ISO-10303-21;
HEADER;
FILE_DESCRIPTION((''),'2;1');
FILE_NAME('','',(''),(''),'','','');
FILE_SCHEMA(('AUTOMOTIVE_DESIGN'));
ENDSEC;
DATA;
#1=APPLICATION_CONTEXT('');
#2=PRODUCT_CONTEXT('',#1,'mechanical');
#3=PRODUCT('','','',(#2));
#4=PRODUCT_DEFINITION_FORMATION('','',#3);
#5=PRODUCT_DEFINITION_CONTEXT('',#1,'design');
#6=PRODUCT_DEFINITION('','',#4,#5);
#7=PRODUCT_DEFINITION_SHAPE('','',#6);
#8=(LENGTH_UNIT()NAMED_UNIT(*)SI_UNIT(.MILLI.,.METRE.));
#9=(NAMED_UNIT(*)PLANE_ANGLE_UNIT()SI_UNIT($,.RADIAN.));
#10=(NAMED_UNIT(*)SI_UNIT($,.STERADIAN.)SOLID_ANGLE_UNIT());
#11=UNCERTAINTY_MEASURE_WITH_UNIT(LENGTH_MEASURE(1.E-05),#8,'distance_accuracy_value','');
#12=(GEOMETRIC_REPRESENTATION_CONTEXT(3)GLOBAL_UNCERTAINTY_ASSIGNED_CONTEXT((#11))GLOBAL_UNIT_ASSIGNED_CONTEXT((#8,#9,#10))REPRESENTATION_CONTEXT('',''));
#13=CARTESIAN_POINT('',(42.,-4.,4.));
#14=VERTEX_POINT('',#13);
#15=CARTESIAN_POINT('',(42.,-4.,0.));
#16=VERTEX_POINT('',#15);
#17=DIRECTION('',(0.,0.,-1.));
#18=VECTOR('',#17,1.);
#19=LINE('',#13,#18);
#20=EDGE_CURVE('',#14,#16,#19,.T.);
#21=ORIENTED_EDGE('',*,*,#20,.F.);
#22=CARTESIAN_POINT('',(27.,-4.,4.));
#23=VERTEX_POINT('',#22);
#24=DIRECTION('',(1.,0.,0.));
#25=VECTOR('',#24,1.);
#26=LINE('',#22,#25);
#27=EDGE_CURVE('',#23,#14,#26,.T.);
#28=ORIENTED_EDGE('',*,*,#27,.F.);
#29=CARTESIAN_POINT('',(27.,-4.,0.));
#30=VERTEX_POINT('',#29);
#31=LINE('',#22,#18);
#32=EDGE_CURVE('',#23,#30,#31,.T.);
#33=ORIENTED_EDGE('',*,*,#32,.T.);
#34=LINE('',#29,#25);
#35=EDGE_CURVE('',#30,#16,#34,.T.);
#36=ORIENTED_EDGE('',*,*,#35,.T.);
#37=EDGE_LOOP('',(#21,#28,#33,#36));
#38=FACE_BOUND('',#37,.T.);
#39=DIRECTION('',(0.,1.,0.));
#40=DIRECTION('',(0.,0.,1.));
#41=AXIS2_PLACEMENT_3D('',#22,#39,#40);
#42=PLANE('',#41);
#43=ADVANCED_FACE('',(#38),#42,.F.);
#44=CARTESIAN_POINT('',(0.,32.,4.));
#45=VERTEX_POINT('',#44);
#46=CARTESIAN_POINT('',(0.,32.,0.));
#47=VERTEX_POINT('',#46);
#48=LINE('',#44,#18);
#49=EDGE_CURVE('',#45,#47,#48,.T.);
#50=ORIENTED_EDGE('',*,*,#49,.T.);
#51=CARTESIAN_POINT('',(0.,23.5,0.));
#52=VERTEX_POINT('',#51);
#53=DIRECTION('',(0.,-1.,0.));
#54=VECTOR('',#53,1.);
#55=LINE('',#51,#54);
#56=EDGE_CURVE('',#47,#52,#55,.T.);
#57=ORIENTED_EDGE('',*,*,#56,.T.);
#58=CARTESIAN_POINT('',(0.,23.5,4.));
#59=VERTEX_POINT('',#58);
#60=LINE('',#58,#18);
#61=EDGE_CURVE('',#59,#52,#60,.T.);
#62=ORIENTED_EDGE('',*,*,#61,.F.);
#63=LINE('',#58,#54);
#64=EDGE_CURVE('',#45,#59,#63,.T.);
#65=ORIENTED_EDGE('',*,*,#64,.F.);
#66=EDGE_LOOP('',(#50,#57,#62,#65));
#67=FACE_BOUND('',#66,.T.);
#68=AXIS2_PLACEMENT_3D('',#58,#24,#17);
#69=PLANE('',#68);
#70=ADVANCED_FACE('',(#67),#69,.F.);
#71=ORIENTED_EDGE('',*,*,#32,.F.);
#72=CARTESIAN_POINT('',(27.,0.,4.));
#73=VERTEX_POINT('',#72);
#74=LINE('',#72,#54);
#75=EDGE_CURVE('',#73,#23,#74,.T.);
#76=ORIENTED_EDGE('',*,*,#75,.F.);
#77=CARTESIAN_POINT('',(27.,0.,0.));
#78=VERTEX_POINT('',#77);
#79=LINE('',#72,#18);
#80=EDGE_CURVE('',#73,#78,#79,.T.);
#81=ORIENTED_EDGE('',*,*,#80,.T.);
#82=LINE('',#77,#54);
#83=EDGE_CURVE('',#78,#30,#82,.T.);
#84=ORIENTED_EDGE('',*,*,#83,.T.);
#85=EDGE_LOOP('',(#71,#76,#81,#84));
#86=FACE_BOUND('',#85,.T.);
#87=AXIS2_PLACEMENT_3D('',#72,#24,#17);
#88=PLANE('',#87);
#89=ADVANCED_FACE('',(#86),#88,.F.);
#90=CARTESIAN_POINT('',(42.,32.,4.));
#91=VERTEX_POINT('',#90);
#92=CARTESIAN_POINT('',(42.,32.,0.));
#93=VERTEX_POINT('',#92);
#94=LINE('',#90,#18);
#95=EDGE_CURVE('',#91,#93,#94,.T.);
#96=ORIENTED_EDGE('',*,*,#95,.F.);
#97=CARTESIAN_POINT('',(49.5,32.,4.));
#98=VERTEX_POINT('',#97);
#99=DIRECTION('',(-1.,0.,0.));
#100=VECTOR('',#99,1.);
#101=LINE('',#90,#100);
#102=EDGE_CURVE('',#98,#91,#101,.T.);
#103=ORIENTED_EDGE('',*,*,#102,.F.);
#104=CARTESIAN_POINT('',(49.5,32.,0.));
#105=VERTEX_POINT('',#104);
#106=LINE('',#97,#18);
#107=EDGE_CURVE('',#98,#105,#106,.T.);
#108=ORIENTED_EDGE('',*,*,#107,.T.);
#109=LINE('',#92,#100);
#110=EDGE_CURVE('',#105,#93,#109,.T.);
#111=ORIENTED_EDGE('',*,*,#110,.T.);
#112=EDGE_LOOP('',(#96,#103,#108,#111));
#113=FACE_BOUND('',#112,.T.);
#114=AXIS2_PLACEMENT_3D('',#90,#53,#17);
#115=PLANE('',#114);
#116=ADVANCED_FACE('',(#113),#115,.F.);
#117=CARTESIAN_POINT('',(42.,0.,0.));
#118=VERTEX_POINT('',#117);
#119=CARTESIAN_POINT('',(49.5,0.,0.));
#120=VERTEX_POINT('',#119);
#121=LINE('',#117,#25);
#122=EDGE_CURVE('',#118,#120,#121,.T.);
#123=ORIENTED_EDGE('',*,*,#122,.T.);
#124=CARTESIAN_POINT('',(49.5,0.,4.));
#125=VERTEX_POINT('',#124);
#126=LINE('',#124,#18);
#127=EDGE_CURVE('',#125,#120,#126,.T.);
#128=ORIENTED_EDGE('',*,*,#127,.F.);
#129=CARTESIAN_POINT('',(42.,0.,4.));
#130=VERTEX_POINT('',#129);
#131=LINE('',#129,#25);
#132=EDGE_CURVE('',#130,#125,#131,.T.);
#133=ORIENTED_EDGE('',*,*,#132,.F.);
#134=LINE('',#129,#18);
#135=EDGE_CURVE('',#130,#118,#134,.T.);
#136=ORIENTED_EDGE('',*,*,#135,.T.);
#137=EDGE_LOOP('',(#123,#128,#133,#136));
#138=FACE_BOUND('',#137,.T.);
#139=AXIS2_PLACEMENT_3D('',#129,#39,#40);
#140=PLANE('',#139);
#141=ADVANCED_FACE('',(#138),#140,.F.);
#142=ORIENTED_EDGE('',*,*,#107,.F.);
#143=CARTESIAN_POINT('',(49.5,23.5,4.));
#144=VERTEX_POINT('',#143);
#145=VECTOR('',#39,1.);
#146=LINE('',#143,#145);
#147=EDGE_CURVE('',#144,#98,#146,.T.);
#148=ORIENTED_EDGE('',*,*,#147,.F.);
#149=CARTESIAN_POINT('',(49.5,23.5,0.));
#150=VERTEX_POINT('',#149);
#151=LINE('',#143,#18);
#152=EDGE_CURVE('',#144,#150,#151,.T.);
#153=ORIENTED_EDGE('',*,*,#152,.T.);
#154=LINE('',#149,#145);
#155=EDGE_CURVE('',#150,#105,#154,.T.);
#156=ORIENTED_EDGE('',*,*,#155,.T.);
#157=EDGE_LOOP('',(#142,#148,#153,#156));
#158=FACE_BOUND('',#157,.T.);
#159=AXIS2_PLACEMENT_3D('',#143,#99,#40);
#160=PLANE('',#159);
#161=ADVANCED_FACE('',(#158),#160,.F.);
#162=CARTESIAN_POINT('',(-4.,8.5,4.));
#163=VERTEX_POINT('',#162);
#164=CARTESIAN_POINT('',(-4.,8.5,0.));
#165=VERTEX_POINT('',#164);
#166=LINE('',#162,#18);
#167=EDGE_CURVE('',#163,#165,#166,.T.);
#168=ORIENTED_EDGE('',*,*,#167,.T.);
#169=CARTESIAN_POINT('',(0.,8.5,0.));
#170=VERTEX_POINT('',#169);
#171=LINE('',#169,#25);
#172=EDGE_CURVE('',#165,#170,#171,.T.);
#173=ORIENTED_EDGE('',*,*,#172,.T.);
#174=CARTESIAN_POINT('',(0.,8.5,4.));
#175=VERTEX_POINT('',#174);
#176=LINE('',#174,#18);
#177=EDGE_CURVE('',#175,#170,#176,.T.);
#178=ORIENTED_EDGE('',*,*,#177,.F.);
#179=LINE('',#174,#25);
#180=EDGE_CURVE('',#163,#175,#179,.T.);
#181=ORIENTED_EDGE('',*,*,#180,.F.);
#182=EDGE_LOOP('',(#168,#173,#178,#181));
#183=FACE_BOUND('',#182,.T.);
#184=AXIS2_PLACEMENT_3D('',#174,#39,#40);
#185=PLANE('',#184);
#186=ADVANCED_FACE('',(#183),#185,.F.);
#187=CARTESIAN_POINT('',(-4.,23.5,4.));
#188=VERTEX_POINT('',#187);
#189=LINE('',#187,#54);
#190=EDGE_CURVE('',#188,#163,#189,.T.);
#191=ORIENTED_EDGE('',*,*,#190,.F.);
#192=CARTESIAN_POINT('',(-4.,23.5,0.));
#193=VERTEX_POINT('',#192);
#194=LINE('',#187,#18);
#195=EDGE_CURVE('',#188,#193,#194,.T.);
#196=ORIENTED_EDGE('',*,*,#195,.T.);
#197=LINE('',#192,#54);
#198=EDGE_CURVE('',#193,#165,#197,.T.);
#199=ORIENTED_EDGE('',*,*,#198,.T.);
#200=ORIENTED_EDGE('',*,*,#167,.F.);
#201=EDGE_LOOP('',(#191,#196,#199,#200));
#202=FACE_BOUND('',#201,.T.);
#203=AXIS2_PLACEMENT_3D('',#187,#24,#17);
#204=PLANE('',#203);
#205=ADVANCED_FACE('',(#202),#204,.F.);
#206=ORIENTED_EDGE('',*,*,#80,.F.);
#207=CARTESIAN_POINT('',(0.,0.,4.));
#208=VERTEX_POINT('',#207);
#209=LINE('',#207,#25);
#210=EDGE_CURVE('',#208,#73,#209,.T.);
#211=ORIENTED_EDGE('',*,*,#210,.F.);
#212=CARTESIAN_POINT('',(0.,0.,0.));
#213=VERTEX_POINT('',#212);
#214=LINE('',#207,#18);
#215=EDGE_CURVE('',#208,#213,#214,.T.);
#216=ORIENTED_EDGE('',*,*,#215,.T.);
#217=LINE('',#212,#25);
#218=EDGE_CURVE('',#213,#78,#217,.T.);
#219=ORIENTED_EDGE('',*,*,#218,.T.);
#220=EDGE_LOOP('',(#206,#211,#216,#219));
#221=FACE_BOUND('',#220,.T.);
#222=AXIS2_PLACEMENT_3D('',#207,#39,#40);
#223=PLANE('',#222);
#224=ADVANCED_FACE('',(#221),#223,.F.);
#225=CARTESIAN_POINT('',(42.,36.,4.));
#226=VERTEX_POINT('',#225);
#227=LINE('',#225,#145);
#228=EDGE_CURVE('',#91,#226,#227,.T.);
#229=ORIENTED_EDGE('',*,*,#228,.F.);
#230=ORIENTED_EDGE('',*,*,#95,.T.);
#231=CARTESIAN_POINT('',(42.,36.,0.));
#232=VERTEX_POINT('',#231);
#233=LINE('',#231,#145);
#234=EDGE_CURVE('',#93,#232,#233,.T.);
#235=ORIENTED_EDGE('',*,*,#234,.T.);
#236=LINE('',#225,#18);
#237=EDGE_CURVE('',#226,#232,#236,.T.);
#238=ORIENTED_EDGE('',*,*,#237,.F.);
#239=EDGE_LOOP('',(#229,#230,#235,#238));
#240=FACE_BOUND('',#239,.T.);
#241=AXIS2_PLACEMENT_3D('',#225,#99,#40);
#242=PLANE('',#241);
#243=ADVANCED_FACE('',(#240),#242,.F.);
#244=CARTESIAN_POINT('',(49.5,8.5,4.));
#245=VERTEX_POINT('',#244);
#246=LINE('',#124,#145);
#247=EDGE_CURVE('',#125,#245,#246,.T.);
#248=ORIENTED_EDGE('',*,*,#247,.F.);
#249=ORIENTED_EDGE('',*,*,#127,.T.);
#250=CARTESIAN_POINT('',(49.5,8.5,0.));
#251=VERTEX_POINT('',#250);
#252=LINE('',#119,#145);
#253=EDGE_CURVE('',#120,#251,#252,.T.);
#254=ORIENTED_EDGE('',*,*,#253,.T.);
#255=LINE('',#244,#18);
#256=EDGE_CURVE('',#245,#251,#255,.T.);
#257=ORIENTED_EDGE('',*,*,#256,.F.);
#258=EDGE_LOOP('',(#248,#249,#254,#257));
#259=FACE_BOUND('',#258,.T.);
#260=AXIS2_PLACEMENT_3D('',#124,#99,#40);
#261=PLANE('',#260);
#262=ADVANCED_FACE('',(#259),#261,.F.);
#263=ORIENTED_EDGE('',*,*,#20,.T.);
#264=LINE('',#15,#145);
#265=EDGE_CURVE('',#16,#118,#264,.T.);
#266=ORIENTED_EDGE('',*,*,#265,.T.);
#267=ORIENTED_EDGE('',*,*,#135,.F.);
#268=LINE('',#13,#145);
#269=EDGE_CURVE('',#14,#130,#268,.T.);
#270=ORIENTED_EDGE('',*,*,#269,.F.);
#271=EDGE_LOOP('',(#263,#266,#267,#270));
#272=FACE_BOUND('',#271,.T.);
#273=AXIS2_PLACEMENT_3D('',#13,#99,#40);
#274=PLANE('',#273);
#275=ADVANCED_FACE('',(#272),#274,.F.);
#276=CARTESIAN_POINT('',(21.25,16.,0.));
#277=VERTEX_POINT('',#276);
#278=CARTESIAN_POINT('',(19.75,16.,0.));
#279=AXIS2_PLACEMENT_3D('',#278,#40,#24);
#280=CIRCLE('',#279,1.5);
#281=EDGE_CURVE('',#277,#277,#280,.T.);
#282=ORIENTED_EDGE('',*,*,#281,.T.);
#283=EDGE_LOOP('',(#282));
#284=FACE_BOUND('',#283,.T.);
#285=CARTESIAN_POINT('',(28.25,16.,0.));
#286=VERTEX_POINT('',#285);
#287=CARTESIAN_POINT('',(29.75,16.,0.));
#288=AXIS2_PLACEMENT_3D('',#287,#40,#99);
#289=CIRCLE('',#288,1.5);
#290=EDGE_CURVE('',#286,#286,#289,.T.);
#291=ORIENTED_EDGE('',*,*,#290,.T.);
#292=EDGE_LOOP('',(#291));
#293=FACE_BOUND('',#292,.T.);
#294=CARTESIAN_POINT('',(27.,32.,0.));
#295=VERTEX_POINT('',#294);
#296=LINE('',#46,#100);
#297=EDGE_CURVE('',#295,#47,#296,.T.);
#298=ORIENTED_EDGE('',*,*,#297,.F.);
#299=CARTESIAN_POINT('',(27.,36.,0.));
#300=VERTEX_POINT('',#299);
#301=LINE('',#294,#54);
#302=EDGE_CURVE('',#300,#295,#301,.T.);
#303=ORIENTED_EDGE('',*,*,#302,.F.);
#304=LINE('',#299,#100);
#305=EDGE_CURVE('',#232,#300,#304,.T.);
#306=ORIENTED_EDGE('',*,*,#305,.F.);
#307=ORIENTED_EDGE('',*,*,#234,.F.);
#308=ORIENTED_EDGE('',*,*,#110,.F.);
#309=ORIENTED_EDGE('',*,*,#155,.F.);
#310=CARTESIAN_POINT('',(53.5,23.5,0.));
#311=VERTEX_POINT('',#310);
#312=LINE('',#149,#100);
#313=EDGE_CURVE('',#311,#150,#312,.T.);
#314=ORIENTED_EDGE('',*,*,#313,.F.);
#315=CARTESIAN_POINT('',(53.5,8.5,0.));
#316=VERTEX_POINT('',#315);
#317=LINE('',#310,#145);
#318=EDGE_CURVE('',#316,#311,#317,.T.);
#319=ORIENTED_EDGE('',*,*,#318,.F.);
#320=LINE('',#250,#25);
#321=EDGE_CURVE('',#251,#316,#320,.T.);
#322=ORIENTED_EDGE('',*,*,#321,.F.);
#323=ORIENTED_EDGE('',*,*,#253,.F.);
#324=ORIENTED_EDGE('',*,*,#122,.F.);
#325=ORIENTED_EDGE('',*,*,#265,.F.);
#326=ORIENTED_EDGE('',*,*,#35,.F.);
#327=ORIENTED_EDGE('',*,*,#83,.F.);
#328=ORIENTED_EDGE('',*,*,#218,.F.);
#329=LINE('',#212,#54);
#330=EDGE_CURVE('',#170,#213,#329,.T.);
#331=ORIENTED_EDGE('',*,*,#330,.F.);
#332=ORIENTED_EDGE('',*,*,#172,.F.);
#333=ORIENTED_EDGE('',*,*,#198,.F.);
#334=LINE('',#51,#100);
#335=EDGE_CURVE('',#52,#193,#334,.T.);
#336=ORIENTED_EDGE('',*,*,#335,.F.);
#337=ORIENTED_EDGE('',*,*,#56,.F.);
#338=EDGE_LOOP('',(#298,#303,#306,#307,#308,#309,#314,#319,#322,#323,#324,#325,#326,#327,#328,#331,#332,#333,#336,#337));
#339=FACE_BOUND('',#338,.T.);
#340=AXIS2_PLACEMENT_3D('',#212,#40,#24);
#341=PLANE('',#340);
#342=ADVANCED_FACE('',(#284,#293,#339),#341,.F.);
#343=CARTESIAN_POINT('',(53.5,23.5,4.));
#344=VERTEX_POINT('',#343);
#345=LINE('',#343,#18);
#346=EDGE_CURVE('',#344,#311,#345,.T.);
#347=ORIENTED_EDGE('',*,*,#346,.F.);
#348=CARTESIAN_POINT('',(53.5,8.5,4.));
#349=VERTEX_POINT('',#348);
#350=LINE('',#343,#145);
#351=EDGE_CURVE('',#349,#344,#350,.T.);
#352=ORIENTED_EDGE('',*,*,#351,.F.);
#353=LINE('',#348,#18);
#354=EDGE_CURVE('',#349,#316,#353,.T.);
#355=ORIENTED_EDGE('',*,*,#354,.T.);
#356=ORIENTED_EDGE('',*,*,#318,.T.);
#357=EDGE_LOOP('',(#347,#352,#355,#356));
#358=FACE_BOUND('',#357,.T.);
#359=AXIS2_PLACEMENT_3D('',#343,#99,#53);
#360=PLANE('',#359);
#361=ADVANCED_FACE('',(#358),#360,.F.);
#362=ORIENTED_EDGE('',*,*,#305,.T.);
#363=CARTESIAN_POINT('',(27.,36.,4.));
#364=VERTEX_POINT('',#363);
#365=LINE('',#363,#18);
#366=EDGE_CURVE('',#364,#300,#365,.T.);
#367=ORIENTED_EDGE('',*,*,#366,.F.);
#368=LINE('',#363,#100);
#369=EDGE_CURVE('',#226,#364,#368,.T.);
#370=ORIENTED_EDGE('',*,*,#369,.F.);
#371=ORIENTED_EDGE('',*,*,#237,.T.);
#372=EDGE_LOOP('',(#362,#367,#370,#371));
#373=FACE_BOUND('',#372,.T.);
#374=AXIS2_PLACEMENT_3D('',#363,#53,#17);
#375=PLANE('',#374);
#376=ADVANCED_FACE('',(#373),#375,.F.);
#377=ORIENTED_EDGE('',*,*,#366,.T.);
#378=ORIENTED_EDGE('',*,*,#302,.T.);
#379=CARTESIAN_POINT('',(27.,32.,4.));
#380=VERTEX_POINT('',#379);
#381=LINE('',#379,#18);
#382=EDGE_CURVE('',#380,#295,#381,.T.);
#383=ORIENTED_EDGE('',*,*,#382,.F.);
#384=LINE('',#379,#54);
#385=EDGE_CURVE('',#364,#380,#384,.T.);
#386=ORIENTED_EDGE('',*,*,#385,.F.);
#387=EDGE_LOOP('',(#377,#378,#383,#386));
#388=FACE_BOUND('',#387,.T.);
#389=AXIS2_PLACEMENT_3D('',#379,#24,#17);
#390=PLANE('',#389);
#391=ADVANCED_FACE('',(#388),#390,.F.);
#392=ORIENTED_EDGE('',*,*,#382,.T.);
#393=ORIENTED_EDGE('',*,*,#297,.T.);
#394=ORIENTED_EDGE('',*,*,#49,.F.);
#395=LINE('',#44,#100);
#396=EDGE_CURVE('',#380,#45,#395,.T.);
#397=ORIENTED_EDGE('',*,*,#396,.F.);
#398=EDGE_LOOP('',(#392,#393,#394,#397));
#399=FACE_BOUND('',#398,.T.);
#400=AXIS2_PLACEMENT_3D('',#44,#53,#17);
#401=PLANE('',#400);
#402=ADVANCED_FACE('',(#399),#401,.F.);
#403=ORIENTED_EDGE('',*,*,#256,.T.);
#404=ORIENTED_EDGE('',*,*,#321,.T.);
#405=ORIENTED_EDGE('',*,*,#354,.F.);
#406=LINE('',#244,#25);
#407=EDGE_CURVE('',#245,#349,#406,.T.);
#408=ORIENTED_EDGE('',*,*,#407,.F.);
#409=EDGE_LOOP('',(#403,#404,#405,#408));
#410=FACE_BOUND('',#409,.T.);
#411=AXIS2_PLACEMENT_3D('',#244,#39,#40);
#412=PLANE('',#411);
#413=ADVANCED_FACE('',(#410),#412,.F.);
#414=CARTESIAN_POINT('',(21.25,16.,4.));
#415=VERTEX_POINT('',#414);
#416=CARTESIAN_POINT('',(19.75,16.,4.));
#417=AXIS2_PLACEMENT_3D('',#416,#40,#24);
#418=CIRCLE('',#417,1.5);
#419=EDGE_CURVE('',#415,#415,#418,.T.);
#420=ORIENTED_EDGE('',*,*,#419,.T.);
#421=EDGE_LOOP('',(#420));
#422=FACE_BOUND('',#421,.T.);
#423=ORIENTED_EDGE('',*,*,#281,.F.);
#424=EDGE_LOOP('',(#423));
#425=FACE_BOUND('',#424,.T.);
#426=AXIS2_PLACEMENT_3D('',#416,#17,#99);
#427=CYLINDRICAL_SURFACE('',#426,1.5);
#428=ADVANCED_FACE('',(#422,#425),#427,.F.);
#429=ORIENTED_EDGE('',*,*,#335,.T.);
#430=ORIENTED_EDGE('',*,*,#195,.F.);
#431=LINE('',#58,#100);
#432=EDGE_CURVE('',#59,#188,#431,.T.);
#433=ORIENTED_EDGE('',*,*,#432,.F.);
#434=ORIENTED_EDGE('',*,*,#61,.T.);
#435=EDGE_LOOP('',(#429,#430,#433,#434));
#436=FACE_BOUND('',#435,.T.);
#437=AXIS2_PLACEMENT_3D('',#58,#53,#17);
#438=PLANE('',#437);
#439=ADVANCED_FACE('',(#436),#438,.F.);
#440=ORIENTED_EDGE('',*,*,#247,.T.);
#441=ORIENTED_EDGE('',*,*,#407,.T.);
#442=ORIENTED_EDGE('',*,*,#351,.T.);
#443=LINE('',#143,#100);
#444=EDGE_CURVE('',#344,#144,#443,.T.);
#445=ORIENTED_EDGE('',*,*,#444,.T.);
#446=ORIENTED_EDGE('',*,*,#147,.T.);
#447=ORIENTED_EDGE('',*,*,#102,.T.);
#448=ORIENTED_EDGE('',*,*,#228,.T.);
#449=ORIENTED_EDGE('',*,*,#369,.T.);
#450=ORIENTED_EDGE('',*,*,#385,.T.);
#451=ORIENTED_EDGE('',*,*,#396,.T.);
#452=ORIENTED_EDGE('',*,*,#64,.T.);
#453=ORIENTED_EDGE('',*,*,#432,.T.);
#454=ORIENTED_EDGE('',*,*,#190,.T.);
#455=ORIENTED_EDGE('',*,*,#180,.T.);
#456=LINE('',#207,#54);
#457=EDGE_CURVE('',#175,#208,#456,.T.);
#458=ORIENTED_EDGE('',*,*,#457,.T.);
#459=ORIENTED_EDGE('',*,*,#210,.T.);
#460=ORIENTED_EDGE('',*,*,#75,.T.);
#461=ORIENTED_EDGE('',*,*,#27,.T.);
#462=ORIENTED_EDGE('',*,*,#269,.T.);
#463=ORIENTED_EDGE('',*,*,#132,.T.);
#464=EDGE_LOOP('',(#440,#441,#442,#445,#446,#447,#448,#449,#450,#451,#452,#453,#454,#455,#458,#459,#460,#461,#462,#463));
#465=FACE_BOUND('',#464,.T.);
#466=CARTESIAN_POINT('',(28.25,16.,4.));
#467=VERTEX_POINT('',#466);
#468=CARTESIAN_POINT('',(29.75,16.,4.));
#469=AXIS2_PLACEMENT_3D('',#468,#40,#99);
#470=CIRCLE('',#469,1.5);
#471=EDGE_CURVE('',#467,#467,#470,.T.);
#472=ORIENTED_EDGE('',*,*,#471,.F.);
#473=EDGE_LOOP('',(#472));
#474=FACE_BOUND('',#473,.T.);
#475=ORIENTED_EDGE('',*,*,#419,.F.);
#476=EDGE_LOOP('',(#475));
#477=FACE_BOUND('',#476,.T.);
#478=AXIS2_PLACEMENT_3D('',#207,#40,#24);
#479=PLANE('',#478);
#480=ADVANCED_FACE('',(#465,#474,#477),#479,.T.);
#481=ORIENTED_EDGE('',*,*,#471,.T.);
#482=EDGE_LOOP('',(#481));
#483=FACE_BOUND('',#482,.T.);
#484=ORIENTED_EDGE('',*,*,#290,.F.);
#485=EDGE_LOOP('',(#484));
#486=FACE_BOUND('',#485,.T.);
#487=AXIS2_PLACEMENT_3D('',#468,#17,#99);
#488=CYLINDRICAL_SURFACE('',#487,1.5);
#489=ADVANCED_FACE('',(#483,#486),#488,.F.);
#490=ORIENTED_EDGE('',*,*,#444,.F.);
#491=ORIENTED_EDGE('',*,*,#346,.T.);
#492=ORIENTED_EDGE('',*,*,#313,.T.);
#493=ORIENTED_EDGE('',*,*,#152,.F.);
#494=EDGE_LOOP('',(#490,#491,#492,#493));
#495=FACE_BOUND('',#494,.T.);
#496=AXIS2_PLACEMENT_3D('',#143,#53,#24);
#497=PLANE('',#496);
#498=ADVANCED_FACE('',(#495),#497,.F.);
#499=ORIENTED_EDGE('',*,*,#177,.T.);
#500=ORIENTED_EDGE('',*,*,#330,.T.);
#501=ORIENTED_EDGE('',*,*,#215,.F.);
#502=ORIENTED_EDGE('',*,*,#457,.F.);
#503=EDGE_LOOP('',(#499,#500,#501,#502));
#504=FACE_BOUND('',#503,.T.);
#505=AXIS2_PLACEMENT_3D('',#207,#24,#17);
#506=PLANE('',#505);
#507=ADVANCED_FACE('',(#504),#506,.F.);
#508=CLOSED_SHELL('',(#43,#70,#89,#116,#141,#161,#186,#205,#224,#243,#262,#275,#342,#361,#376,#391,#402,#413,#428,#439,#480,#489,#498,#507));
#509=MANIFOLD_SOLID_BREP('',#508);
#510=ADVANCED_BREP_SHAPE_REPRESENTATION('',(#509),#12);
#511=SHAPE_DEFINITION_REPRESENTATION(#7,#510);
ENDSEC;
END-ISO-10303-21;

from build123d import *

# Parameters (mm, degrees)
SKETCH_1_R      = 1.5
EXTRUDE_1_DEPTH = 4


with BuildPart() as part:
    # Эскиз1 → Бобышка-Вытянуть1 (new body)
    with BuildSketch(Plane.XY):
        Polygon((27, 32), (27, 36), (42, 36), (42, 32), (49.5, 32), (49.5, 23.5), (53.5, 23.5), (53.5, 8.5), (49.5, 8.5), (49.5, 0), (42, 0), (42, -4), (27, -4), (27, 0), (0, 0), (0, 8.5), (-4, 8.5), (-4, 23.5), (0, 23.5), (0, 32), align=None)
        with Locations((19.75, 16)):
            Circle(SKETCH_1_R, mode=Mode.SUBTRACT)
        with Locations(Location((29.75, 16, 0), (0, 0, 180))):
            Circle(SKETCH_1_R, mode=Mode.SUBTRACT)
    extrude(amount=EXTRUDE_1_DEPTH)


solid = part.part
